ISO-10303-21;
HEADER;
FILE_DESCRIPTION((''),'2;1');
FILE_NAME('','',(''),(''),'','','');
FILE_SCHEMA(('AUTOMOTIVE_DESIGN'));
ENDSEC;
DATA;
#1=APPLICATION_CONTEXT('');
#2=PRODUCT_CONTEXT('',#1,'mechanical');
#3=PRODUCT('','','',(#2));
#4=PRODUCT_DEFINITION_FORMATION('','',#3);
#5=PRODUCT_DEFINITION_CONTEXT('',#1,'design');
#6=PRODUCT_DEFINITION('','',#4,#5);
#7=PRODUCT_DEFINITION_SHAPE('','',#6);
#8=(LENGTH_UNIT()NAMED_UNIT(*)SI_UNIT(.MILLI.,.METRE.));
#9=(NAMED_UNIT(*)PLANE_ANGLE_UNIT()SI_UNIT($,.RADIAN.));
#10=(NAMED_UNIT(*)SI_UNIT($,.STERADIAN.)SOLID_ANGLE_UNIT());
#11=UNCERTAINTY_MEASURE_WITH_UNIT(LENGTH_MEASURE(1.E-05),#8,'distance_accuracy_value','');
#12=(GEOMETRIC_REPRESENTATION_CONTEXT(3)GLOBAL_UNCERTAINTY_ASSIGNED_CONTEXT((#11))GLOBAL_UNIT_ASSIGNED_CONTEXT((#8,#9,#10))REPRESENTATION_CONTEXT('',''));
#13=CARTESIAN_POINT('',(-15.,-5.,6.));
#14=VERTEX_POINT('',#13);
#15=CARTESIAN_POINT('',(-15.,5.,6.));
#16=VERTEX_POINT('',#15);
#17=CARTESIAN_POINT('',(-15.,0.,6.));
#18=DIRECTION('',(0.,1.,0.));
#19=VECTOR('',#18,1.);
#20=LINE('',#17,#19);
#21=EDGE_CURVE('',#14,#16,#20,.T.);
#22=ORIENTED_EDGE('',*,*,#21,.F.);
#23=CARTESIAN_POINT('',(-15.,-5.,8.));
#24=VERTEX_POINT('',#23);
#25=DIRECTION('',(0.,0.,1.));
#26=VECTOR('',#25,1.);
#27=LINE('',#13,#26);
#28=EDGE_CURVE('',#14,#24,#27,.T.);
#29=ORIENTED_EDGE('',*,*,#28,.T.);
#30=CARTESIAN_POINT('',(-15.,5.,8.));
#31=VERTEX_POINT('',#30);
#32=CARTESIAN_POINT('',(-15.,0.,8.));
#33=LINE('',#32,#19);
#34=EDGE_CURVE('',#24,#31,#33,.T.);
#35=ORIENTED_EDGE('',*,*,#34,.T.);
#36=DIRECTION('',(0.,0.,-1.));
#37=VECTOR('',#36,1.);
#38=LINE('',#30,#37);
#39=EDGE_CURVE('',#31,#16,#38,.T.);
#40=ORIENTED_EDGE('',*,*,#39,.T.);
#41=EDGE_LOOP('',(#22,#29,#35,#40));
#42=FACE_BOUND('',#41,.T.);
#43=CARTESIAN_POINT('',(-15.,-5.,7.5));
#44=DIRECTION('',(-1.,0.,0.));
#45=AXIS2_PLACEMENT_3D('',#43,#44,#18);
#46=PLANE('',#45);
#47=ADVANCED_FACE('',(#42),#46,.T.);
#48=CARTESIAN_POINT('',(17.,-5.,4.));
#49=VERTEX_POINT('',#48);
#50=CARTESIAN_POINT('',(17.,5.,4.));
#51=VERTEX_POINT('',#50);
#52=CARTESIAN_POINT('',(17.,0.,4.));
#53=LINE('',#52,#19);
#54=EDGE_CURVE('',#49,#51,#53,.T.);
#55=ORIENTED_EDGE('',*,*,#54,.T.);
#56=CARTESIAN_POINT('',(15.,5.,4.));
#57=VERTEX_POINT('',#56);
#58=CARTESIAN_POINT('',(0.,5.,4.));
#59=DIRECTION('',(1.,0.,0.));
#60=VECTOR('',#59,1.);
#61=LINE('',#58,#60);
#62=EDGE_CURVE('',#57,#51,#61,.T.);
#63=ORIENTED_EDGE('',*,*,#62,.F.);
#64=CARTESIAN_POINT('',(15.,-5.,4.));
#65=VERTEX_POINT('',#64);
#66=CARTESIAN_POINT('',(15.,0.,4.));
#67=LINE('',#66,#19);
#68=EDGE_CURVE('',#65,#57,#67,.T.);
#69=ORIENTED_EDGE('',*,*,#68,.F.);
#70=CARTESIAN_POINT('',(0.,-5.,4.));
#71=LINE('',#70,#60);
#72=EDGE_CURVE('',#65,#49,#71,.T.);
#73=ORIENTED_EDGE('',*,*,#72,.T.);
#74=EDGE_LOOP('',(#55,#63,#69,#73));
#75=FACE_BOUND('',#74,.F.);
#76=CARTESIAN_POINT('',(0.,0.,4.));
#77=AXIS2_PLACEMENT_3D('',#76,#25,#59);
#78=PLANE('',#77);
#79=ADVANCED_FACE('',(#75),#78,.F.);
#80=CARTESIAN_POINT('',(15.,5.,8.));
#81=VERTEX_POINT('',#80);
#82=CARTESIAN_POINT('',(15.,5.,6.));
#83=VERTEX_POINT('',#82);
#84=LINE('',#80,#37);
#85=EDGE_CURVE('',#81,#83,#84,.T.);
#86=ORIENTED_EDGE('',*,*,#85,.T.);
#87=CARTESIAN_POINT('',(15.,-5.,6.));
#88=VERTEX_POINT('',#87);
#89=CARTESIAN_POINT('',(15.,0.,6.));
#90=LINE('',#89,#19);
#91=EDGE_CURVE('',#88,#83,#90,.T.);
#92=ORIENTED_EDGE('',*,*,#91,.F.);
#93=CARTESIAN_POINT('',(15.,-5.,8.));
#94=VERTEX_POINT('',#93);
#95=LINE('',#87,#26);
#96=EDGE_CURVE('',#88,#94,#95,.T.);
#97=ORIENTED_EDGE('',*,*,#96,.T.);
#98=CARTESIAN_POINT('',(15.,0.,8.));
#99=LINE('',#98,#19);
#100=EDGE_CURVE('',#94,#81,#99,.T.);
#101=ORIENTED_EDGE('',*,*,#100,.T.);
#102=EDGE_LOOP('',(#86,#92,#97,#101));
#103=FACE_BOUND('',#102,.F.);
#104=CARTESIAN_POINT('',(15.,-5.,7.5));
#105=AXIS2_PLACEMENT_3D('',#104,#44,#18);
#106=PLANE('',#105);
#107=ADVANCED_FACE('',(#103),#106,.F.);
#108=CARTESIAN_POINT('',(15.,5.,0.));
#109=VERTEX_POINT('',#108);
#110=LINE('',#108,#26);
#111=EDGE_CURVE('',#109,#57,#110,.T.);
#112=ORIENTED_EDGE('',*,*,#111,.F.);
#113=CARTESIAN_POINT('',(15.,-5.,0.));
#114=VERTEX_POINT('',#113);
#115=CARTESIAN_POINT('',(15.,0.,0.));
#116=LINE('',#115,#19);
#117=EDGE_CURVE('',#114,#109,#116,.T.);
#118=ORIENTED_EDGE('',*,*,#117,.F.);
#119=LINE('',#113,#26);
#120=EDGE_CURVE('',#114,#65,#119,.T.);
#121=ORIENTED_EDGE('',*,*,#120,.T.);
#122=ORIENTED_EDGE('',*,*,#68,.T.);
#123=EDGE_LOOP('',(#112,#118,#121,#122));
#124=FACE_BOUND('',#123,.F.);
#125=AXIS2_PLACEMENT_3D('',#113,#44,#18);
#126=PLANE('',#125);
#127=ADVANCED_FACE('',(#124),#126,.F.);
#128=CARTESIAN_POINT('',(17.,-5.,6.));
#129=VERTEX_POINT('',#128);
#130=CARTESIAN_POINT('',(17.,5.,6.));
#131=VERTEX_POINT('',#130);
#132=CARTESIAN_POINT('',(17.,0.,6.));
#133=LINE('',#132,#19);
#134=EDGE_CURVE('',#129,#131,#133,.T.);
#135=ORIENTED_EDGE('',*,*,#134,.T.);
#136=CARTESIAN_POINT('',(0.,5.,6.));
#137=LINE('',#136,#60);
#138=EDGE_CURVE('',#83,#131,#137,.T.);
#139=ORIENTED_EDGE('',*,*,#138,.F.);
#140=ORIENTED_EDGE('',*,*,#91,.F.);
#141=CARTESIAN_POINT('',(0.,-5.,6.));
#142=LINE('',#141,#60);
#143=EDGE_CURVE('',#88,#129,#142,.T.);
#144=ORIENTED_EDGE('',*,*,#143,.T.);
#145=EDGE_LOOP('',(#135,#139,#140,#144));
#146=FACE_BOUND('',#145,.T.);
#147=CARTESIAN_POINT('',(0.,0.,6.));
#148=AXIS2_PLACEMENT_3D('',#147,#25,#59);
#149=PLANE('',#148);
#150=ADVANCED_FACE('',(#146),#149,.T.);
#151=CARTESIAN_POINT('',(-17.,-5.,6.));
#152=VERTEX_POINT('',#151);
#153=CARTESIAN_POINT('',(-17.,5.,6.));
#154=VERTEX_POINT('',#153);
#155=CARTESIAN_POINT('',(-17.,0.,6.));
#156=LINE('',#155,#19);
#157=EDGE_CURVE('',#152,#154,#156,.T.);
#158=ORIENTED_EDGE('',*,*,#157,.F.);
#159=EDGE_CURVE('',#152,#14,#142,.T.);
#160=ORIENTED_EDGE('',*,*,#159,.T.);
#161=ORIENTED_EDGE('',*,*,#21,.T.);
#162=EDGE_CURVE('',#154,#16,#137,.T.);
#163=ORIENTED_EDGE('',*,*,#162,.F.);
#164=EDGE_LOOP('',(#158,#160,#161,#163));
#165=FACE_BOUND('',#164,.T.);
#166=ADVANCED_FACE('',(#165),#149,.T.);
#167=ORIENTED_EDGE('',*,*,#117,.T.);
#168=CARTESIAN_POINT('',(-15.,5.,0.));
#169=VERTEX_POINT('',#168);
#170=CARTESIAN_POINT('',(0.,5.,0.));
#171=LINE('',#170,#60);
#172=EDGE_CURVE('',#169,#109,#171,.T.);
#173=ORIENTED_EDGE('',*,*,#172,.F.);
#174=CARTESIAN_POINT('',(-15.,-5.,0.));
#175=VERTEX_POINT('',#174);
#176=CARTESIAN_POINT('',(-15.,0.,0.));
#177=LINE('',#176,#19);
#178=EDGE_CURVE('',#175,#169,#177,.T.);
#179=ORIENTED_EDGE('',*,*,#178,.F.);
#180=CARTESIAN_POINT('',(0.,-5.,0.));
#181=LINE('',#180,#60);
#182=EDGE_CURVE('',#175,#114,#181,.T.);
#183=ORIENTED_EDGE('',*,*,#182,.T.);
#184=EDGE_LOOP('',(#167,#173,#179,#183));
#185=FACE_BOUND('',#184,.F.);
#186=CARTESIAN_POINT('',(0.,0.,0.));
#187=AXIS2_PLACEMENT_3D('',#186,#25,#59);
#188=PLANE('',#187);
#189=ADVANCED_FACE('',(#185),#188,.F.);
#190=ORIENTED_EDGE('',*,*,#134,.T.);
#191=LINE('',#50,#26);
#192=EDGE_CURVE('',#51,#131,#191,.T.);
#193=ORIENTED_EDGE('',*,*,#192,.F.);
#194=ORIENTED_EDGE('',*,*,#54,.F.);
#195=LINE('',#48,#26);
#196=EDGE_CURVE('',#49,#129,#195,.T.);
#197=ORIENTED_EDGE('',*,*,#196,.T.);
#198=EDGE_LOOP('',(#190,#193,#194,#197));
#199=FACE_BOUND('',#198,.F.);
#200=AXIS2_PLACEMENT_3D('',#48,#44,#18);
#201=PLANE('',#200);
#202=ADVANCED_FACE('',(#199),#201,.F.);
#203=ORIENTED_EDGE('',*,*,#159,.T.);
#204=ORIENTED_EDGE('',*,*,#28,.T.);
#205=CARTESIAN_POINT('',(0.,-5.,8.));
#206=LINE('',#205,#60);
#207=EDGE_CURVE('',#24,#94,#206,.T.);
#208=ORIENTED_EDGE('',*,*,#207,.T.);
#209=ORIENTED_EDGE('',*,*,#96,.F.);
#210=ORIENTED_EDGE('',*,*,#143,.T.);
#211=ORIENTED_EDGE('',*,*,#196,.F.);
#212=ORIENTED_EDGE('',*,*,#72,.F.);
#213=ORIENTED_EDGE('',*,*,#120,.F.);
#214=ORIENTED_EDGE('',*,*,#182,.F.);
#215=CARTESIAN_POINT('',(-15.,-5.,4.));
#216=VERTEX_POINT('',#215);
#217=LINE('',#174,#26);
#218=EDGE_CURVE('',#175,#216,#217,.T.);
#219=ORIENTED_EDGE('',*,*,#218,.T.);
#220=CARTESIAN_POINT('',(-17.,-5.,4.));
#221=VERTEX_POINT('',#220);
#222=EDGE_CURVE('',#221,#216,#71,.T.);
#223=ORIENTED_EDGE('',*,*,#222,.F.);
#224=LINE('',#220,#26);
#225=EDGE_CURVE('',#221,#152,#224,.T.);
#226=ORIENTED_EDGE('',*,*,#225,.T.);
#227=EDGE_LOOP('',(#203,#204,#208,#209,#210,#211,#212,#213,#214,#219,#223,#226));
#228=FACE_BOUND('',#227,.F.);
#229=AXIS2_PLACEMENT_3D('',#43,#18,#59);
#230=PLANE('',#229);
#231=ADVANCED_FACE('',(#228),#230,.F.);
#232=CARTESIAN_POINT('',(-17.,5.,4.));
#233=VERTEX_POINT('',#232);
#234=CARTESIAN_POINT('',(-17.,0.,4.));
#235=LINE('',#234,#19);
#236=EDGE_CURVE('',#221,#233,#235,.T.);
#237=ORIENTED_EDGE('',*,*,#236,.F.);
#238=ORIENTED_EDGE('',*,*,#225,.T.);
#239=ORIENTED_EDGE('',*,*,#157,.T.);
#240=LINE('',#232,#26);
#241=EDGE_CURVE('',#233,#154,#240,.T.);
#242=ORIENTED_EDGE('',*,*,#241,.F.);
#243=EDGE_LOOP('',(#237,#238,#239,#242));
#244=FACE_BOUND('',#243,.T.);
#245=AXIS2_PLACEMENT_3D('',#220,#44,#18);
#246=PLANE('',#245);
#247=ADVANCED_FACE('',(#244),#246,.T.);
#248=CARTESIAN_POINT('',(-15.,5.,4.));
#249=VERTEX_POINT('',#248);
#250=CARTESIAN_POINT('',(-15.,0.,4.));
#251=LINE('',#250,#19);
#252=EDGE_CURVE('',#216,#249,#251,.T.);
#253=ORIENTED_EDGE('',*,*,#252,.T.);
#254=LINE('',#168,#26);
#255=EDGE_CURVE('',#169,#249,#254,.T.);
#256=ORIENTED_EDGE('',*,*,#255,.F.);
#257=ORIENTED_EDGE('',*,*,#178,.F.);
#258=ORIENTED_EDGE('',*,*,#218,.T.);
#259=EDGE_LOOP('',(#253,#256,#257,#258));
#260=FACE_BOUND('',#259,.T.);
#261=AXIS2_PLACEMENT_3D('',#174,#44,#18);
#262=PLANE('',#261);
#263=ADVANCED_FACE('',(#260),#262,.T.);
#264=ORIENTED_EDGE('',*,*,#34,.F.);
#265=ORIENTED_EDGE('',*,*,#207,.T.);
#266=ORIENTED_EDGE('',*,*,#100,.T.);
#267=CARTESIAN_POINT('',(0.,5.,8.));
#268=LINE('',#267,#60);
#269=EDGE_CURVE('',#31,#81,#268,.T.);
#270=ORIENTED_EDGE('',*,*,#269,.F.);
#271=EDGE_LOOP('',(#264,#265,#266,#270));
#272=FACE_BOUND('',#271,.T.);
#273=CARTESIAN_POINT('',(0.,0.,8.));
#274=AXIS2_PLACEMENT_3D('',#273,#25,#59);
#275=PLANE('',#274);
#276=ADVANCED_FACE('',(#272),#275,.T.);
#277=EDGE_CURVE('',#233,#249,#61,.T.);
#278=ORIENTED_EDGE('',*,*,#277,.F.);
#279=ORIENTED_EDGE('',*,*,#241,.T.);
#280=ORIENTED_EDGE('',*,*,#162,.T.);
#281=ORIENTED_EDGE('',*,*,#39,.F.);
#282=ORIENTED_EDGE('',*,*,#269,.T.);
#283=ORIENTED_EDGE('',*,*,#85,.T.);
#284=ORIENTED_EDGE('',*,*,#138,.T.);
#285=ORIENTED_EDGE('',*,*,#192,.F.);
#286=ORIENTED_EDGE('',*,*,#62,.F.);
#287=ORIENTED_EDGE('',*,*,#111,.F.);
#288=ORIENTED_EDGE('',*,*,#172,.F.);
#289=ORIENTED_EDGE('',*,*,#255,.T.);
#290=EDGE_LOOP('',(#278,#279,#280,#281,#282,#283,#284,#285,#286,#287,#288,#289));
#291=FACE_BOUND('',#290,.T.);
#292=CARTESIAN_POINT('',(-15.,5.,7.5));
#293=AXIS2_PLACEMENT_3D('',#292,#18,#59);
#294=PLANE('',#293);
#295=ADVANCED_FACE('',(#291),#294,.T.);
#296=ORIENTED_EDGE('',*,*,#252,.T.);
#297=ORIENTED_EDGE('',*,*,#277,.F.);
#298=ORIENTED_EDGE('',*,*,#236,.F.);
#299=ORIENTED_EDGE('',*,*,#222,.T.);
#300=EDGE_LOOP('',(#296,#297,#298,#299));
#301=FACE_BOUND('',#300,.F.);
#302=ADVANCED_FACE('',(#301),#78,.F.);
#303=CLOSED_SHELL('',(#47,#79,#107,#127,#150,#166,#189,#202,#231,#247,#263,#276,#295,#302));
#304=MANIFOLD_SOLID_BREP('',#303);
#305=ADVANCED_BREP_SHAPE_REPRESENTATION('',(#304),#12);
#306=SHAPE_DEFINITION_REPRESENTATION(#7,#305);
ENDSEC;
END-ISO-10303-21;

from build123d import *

# Parameters (mm, degrees)
F0_W     = 30
F0_H     = 10
F1_DEPTH = 4
F2_W     = 34
F2_H     = 10
F3_DEPTH = 2
F4_W     = 30
F4_H     = 10
F5_DEPTH = 1.5
F6_W     = 30
F6_H     = 10
F7_DEPTH = 0.5


with BuildPart() as f1:
    # F0 (on Top) → F1 (new body)
    with BuildSketch(Plane.XY):
        Rectangle(F0_W, F0_H)
    extrude(amount=F1_DEPTH)

    # F2 (on face) → F3 (join)
    with BuildSketch(Plane.XY.offset(4)):
        Rectangle(F2_W, F2_H)
    extrude(amount=F3_DEPTH)

    # F4 (on face) → F5 (join)
    with BuildSketch(Plane.XY.offset(6)):
        Rectangle(F4_W, F4_H)
    extrude(amount=F5_DEPTH)

    # F6 (on face) → F7 (join)
    with BuildSketch(Plane.XY.offset(7.5)):
        Rectangle(F6_W, F6_H)
    extrude(amount=F7_DEPTH)


solid = f1.part
